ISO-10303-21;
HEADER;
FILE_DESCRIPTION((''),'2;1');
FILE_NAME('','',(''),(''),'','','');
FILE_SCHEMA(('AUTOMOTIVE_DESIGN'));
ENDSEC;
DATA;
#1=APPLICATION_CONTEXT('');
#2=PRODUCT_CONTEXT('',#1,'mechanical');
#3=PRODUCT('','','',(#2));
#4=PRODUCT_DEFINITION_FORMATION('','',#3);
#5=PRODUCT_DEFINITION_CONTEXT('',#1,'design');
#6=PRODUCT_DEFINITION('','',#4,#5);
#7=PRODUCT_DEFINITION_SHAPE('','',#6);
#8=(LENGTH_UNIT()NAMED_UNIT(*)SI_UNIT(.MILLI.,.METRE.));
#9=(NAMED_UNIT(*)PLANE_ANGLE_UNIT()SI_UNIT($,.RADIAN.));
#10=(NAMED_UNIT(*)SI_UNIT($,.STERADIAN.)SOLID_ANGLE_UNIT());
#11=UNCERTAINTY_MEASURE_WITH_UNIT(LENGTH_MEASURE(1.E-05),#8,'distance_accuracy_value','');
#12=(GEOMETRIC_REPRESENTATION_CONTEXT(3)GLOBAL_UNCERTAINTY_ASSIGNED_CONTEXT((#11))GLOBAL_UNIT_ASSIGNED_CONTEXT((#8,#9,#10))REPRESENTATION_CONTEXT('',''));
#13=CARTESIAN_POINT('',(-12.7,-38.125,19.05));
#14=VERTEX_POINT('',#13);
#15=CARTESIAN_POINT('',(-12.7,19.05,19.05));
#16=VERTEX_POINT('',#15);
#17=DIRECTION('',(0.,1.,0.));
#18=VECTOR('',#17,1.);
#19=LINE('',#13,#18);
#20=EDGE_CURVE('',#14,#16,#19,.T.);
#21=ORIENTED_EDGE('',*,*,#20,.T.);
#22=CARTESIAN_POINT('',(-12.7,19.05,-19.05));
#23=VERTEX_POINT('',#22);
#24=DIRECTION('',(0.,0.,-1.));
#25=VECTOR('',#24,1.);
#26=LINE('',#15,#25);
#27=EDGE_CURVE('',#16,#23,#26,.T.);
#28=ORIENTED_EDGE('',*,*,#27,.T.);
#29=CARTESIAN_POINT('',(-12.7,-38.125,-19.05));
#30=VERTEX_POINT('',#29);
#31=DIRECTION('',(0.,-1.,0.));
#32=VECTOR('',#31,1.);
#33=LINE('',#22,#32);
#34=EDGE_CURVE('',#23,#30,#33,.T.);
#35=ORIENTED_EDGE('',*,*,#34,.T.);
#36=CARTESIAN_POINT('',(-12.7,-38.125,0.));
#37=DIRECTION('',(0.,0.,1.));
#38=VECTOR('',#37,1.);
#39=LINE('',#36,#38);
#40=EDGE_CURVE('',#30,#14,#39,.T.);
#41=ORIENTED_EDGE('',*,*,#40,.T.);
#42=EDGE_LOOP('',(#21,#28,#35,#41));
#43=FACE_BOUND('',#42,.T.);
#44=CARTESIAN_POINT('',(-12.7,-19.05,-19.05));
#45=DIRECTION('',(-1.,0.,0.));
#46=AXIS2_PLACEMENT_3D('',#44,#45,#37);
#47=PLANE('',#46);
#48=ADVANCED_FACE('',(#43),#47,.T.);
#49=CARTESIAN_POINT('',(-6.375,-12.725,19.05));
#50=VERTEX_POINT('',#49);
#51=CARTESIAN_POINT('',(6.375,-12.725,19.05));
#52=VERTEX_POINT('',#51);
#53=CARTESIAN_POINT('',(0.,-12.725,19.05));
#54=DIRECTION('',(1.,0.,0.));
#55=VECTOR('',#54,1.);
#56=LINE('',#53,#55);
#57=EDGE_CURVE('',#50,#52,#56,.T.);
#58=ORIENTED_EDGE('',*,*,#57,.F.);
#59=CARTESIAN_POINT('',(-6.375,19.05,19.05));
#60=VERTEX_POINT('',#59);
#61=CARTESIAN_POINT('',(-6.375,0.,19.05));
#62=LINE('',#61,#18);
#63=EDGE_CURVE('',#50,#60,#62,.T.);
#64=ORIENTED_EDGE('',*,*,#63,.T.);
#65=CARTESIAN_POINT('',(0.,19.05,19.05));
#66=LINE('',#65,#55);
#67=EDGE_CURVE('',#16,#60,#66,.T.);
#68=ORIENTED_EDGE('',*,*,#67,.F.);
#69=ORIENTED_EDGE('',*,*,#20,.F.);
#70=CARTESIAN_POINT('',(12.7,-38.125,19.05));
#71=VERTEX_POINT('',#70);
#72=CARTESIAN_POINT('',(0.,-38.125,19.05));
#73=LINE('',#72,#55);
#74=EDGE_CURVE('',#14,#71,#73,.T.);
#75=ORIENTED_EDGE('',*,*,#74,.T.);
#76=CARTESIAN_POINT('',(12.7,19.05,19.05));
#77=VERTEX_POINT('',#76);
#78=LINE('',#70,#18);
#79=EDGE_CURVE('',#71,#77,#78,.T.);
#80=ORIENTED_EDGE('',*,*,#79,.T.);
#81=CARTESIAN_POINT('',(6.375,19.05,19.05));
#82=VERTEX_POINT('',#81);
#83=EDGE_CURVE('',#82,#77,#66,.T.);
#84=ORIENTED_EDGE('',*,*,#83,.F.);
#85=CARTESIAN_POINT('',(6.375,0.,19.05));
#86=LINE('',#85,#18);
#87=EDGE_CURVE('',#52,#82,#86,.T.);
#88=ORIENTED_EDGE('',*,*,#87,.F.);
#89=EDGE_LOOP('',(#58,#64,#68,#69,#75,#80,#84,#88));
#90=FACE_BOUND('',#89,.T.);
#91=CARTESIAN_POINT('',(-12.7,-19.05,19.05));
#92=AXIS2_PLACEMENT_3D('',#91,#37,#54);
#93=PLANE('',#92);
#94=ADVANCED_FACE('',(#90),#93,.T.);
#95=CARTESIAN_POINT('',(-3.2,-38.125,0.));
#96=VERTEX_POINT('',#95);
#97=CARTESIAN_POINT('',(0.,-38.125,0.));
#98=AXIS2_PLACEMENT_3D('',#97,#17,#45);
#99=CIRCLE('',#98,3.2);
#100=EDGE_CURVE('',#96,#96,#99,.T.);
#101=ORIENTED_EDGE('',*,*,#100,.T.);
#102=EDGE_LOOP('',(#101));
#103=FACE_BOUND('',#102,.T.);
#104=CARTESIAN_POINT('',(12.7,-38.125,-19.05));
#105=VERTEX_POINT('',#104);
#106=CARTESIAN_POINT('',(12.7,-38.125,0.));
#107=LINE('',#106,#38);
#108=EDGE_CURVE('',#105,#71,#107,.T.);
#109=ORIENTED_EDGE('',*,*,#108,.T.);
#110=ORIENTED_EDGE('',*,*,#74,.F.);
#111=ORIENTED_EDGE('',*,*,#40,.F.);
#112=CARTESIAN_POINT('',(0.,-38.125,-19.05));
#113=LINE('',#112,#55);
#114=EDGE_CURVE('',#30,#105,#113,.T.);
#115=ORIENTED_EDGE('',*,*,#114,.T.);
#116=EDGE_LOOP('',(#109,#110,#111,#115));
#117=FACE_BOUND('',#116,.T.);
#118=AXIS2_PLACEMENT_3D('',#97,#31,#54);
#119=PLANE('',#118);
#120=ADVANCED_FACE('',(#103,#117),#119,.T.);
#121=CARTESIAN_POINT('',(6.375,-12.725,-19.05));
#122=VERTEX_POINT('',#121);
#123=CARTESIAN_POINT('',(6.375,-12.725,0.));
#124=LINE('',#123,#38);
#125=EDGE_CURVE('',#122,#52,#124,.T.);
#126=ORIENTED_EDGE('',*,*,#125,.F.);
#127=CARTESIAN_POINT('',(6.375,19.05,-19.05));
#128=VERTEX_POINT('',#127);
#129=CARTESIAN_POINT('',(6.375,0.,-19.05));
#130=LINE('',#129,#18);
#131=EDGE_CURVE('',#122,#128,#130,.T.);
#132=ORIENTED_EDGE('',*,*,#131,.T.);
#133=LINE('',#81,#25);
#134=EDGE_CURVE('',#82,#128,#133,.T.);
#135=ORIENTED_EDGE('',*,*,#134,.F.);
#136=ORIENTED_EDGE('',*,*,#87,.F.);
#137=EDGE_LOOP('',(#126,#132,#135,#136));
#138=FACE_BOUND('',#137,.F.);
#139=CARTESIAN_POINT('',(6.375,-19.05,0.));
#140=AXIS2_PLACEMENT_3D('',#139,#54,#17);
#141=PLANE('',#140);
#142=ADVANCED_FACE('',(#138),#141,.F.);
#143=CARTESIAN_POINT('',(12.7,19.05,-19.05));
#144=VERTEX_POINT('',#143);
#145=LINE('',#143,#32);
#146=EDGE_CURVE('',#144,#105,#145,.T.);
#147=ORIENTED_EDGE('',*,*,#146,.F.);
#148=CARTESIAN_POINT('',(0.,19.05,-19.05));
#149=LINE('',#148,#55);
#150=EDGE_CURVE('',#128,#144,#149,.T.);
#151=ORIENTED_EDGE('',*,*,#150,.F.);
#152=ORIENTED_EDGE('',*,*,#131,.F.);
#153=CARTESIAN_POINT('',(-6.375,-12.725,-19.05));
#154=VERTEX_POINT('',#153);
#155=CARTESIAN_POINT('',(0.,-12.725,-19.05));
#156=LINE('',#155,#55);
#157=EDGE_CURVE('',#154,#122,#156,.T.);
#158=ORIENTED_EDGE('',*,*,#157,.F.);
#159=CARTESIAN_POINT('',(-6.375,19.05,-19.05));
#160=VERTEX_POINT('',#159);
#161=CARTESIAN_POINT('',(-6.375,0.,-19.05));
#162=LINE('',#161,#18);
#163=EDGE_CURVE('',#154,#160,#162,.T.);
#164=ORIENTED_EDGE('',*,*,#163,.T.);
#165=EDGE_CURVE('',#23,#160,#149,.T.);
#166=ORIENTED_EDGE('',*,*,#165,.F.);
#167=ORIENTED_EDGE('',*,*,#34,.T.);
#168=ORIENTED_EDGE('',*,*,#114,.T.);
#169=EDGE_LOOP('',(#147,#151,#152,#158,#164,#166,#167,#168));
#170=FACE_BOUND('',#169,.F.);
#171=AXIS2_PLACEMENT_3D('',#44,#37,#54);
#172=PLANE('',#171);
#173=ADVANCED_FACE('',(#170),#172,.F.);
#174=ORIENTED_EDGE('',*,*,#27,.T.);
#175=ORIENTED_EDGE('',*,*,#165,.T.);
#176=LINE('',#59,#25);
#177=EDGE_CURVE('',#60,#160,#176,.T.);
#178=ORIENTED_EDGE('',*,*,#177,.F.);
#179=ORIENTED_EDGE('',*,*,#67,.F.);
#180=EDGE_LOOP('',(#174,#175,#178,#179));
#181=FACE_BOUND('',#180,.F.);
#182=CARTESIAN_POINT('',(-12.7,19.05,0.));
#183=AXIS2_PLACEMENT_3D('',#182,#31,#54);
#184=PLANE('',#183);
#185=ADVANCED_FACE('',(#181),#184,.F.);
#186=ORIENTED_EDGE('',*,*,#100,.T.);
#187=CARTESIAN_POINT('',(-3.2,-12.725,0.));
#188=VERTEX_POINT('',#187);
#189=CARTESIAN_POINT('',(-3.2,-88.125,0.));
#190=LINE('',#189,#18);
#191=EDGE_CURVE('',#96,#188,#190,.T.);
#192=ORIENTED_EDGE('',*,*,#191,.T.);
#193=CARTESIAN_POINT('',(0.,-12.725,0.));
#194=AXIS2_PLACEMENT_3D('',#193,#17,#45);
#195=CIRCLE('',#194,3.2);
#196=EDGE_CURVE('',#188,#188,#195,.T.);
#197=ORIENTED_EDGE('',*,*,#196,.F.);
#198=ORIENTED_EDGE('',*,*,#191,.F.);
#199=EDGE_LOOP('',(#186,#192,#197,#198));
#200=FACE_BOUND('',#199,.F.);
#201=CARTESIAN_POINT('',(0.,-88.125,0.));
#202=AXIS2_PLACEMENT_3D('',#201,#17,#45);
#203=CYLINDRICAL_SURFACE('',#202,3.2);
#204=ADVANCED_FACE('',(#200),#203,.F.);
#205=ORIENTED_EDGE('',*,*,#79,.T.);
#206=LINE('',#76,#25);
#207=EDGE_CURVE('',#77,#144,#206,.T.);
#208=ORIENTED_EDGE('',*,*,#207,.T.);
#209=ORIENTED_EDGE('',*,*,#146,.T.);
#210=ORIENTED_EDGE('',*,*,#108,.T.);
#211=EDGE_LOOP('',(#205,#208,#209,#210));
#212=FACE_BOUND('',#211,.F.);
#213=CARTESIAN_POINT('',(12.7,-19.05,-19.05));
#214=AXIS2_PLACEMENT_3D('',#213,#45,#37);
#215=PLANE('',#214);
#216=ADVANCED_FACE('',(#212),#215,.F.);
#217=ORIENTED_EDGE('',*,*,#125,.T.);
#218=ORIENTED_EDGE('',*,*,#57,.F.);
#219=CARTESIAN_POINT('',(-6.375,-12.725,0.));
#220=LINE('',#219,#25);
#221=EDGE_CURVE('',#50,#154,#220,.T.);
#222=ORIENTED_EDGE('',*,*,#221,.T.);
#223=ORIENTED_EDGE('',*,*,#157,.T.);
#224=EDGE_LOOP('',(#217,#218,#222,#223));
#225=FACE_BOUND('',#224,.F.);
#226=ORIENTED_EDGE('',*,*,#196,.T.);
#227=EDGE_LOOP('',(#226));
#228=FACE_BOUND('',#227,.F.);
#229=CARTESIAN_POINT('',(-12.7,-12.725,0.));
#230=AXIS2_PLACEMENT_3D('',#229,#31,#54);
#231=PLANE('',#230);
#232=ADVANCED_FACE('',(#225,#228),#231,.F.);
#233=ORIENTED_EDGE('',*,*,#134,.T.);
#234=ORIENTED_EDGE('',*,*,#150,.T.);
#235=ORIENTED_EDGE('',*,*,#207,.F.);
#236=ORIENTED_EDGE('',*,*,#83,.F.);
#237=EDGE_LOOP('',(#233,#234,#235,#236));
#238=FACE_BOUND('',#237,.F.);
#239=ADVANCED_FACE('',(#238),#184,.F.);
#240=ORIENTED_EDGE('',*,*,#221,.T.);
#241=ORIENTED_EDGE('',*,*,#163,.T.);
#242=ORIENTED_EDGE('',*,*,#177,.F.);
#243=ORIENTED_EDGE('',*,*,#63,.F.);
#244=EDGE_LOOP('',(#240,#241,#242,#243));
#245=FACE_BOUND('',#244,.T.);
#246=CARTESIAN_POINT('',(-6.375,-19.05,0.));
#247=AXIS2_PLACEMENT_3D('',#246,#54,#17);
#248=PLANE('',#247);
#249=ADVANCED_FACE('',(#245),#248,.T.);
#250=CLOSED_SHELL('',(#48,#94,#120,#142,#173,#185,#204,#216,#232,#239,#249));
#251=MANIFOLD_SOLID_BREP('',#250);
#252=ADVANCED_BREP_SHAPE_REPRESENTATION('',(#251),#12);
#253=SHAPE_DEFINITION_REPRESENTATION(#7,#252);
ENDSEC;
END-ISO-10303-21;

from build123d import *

# Parameters (mm, degrees)
F0_W      = 25.4
F0_H      = 38.1
F1_DEPTH  = 19.05
F2_T      = -6.325
F1_FACE_W = 25.4
F1_FACE_H = 38.1
F3_DEPTH  = 19.075
F5_D      = 6.4
F5_DEPTH  = 50


with BuildPart() as f1:
    # F0 (on Top) → F1 (new body, symmetric)
    with BuildSketch(Plane.XY):
        Rectangle(F0_W, F0_H)
    extrude(amount=F1_DEPTH, both=True)

    # F2
    f2_openings = [f1.faces().sort_by_distance(p)[0] for p in [
        (0, 19.05, 0),
        (0, 0, 19.05),
        (0, 0, -19.05),
    ]]
    offset(amount=F2_T, openings=f2_openings)

    # F1_face (on face) → F3 (join)
    with BuildSketch(Plane.XZ.offset(19.05)):
        Rectangle(F1_FACE_W, F1_FACE_H)
    extrude(amount=F3_DEPTH)

    # F5
    with Locations(Plane.XZ.offset(38.125)):
        with Locations((0, 0)):
            Hole(F5_D / 2, depth=F5_DEPTH)


solid = f1.part
